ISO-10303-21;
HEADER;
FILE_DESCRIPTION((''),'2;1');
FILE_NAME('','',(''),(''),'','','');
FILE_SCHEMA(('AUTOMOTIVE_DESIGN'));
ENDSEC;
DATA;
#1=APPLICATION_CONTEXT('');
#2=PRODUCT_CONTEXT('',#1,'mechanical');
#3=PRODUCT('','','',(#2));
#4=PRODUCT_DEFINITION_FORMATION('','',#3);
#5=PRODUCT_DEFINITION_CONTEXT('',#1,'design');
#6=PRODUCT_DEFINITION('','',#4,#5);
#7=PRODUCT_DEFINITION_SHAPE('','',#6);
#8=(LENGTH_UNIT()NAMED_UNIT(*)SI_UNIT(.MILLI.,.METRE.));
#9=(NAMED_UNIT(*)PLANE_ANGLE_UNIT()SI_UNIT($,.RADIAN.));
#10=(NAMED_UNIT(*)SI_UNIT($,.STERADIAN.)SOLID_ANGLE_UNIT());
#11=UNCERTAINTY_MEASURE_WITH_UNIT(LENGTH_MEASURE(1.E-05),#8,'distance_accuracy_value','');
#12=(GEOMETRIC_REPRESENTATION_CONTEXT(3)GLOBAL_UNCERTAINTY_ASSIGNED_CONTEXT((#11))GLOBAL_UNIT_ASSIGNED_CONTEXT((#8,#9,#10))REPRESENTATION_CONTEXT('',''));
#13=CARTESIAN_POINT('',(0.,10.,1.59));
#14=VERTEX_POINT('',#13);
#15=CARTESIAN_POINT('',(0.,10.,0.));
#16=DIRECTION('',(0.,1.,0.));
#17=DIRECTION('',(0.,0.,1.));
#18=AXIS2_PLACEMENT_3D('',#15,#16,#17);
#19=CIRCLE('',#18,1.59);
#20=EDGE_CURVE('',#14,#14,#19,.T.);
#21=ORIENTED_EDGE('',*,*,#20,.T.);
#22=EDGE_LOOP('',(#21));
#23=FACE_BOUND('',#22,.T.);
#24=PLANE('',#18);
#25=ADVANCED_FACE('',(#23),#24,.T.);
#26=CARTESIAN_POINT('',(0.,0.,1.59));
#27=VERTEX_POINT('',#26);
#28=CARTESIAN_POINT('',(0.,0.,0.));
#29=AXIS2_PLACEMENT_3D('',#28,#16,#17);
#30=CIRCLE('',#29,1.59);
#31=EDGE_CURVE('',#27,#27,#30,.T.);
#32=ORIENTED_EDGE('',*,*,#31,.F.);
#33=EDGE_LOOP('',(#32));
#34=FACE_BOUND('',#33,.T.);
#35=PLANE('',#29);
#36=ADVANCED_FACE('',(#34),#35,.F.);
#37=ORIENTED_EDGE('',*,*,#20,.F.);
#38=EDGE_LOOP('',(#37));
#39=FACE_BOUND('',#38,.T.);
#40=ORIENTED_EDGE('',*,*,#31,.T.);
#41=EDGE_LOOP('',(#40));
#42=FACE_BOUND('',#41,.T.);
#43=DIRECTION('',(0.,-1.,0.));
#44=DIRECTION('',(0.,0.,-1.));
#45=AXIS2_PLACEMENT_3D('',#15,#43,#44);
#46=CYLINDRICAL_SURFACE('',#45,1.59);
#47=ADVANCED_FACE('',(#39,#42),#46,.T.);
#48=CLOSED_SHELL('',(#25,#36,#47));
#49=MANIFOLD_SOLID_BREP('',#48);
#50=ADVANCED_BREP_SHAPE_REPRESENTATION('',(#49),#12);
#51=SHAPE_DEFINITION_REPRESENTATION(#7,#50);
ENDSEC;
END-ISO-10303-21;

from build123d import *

# Parameters (mm, degrees)
SKETCH1_R           = 1.59
BOSS_EXTRUDE1_DEPTH = 10


with BuildPart() as part:
    # Sketch1 → Boss-Extrude1 (new body)
    with BuildSketch(Plane(origin=(0, 0, 0), x_dir=(1, 0, 0), z_dir=(0, 1, 0))):
        Circle(SKETCH1_R)
    extrude(amount=BOSS_EXTRUDE1_DEPTH)


solid = part.part
